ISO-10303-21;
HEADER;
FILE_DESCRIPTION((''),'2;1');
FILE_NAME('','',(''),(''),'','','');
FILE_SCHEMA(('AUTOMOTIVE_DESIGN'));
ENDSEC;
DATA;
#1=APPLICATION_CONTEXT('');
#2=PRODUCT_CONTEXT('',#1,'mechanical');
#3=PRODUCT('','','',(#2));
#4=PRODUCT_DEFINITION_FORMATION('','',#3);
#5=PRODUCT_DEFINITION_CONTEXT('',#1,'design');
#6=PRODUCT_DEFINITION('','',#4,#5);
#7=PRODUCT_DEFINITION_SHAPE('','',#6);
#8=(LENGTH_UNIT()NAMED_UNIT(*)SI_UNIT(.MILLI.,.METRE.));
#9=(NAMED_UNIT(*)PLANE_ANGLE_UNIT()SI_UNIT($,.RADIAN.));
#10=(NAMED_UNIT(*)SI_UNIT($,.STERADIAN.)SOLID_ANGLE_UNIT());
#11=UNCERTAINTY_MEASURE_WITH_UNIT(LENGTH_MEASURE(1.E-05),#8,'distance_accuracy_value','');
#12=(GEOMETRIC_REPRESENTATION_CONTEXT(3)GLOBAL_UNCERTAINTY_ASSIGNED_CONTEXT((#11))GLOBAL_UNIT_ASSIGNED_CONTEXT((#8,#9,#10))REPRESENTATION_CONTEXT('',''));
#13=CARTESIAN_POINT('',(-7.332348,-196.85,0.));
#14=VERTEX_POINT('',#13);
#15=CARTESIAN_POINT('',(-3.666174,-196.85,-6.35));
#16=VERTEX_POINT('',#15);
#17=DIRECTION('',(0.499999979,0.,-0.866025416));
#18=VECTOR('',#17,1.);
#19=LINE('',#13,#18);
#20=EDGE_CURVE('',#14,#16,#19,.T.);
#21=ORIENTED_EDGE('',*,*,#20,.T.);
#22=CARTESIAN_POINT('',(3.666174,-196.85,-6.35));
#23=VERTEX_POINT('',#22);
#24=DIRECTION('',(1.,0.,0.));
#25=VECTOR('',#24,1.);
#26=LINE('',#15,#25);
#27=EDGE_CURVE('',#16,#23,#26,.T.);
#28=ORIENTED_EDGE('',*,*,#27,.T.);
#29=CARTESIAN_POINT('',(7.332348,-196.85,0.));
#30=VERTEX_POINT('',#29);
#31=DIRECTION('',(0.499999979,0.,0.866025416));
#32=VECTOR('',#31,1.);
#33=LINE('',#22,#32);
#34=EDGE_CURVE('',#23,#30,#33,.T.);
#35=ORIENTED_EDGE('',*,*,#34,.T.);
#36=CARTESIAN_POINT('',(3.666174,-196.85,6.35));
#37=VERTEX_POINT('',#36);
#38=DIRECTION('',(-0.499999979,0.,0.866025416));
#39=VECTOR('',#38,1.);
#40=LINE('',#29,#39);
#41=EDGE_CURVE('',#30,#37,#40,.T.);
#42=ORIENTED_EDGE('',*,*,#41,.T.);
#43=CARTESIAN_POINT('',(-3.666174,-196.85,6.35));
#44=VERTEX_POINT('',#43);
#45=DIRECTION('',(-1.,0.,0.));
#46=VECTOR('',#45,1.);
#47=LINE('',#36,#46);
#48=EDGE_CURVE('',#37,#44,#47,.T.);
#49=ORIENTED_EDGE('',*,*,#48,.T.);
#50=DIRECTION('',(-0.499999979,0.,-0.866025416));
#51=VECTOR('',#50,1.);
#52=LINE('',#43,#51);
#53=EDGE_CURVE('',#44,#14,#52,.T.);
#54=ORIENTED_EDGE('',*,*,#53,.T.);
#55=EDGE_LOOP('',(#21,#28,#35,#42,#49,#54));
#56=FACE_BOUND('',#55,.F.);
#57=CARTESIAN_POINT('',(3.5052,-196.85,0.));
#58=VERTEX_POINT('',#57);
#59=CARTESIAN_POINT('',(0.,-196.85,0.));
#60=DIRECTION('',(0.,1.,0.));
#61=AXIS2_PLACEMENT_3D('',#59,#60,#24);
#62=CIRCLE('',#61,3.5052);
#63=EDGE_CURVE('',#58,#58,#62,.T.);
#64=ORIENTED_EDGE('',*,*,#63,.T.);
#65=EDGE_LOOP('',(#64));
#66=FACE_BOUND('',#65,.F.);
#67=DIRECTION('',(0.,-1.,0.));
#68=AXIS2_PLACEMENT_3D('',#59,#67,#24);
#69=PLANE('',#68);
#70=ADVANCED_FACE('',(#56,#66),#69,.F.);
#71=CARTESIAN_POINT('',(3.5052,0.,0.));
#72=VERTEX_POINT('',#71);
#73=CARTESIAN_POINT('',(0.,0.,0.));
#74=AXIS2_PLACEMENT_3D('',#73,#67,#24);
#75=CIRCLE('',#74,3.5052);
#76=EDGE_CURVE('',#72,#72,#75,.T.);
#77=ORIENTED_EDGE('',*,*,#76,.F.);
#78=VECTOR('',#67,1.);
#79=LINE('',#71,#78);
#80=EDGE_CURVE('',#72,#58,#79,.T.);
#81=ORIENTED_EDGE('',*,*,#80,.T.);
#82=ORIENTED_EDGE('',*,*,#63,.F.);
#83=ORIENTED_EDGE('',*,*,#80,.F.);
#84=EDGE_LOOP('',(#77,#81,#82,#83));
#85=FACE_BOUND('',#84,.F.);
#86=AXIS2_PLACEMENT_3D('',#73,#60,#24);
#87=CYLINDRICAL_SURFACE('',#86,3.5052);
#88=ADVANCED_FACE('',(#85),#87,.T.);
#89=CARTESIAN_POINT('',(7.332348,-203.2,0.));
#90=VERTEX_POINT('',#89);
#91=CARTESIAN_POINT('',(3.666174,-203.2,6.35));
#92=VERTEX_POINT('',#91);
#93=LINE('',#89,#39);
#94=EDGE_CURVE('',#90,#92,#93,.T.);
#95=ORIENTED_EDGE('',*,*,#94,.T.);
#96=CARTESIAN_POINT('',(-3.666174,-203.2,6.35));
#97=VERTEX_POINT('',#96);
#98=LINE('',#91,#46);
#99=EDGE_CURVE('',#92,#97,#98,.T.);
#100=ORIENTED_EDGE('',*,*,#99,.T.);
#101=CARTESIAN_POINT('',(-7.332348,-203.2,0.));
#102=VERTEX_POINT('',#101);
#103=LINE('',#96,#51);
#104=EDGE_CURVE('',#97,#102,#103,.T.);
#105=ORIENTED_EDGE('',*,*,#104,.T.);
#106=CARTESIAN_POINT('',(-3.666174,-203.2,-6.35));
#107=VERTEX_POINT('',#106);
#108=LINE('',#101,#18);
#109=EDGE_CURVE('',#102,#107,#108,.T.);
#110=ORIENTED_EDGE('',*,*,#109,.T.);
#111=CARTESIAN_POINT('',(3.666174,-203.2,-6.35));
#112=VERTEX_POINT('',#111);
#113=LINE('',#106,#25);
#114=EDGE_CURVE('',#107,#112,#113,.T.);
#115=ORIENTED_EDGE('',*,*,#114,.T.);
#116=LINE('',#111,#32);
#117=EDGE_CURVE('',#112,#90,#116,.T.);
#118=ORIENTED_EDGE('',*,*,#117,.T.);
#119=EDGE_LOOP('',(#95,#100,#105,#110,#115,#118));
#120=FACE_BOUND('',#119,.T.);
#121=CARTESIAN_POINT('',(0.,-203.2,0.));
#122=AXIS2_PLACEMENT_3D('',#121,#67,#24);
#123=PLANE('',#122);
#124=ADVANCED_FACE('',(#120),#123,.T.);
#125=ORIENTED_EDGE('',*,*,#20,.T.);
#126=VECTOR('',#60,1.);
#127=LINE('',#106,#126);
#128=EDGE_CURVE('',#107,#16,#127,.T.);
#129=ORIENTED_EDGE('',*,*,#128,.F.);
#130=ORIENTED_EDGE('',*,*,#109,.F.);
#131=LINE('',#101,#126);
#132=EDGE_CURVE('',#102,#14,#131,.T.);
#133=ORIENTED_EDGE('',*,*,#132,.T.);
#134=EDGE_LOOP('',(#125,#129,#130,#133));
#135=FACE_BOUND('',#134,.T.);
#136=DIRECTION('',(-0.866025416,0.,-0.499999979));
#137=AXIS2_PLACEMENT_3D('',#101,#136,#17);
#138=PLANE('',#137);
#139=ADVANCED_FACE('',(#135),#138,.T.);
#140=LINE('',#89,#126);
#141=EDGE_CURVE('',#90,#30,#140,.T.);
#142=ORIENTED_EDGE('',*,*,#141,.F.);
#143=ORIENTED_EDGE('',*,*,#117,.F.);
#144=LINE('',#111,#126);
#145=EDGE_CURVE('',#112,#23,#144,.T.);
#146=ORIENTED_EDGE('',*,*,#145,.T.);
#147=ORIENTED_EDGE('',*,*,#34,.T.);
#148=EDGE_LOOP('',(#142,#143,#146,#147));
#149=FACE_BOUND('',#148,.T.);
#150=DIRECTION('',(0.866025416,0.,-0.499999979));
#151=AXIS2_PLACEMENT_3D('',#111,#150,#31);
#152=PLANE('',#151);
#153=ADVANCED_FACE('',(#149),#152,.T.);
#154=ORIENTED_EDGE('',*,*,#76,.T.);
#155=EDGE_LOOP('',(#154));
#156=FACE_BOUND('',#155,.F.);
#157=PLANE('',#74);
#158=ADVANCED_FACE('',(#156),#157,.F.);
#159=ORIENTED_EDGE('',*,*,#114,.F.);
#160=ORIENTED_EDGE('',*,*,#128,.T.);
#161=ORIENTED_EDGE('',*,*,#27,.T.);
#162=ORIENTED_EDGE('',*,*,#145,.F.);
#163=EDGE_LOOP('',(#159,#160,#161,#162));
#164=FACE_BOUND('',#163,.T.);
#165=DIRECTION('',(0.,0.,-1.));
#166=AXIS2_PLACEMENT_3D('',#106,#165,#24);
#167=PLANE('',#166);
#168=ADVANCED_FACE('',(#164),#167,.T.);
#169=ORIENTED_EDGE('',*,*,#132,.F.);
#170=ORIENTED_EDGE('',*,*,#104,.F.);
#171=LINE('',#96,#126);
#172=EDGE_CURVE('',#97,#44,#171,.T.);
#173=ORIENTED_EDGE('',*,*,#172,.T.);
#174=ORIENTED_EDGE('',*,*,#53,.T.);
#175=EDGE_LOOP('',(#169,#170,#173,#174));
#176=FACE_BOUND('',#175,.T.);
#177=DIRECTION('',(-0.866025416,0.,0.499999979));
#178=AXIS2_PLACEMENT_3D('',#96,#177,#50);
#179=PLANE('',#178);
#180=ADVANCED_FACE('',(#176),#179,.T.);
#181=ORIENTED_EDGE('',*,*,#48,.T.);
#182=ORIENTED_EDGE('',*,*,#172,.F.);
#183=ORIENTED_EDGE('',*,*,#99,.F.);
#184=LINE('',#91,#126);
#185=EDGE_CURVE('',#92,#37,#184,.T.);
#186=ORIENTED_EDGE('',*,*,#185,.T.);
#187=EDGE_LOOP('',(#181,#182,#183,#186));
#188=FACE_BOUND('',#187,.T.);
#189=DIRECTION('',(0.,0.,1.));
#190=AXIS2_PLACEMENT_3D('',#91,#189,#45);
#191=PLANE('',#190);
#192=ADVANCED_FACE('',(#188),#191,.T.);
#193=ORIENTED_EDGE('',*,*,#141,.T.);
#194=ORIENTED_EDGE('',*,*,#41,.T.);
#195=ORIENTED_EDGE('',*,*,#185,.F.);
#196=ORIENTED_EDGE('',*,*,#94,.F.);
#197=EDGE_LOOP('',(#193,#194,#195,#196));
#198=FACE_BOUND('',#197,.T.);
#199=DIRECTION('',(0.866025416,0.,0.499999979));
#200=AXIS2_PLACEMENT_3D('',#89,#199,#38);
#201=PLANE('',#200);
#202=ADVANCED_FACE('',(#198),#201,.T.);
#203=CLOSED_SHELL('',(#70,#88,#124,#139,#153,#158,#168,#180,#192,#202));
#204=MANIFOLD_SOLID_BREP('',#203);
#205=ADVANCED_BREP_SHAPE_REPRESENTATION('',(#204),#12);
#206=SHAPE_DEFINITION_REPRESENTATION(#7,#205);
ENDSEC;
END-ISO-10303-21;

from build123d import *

# Parameters (mm, degrees)
F0_R     = 3.5052
F1_DEPTH = 203.2
F3_DEPTH = 6.35


with BuildPart() as f1:
    # F0 (on Front) → F1 (new body)
    with BuildSketch(Plane.XZ):
        Circle(F0_R)
    extrude(amount=F1_DEPTH)

    # F2 (on face) → F3 (join)
    with BuildSketch(Plane.XZ.offset(203.2)):
        Polygon((7.332348, 0), (3.666174, 6.35), (-3.666174, 6.35), (-7.332348, 0), (-3.666174, -6.35), (3.666174, -6.35), align=None)
    extrude(amount=-F3_DEPTH)


solid = f1.part
